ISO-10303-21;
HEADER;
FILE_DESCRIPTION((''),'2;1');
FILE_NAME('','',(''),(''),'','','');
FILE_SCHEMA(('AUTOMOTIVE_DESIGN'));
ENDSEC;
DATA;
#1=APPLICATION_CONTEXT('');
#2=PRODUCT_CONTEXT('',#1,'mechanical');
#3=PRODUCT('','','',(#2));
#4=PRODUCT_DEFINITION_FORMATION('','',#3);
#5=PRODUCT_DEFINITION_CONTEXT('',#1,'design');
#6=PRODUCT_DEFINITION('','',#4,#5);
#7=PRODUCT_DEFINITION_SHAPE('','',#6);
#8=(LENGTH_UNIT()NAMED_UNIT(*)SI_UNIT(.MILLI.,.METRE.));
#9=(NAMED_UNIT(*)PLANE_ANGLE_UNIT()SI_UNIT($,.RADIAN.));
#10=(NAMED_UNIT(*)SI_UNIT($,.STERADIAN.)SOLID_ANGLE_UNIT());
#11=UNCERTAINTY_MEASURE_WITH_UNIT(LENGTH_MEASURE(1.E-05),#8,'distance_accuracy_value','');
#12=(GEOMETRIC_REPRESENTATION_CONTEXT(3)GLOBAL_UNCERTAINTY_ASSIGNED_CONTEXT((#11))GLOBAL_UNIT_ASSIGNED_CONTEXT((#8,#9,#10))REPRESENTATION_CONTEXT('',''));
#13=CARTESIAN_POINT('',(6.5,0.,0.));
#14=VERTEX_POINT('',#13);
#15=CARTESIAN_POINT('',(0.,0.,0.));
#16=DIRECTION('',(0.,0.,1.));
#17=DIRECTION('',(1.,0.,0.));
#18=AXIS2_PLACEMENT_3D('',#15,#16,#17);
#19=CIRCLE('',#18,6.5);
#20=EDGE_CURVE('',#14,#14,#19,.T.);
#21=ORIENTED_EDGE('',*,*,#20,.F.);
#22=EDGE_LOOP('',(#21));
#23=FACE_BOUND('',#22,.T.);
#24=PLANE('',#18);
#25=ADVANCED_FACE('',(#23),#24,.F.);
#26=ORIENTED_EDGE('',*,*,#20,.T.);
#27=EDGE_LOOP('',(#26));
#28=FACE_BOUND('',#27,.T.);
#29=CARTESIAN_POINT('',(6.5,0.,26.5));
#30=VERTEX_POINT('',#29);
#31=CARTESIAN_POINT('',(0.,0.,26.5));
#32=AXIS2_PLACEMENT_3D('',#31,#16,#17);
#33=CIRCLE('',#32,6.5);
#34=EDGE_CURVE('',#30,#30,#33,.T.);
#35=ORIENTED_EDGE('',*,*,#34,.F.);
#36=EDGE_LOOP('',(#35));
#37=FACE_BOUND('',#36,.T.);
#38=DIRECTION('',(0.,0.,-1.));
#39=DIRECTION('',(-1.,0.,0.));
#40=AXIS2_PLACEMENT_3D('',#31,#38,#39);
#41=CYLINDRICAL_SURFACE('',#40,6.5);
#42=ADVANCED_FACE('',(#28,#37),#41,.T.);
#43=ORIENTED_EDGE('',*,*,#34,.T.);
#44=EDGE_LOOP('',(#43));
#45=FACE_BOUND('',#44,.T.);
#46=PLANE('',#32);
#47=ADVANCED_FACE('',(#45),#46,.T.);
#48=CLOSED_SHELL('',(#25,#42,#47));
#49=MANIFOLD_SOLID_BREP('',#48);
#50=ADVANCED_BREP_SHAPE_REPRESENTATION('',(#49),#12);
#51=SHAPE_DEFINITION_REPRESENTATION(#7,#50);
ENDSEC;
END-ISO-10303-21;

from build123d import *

# Parameters (mm, degrees)
ESQUISSE1_R      = 6.5
EXTRUSION1_DEPTH = 26.5


with BuildPart() as part:
    # Esquisse1 → Extrusion1 (new body)
    with BuildSketch(Plane.XY):
        Circle(ESQUISSE1_R)
    extrude(amount=EXTRUSION1_DEPTH)


solid = part.part
